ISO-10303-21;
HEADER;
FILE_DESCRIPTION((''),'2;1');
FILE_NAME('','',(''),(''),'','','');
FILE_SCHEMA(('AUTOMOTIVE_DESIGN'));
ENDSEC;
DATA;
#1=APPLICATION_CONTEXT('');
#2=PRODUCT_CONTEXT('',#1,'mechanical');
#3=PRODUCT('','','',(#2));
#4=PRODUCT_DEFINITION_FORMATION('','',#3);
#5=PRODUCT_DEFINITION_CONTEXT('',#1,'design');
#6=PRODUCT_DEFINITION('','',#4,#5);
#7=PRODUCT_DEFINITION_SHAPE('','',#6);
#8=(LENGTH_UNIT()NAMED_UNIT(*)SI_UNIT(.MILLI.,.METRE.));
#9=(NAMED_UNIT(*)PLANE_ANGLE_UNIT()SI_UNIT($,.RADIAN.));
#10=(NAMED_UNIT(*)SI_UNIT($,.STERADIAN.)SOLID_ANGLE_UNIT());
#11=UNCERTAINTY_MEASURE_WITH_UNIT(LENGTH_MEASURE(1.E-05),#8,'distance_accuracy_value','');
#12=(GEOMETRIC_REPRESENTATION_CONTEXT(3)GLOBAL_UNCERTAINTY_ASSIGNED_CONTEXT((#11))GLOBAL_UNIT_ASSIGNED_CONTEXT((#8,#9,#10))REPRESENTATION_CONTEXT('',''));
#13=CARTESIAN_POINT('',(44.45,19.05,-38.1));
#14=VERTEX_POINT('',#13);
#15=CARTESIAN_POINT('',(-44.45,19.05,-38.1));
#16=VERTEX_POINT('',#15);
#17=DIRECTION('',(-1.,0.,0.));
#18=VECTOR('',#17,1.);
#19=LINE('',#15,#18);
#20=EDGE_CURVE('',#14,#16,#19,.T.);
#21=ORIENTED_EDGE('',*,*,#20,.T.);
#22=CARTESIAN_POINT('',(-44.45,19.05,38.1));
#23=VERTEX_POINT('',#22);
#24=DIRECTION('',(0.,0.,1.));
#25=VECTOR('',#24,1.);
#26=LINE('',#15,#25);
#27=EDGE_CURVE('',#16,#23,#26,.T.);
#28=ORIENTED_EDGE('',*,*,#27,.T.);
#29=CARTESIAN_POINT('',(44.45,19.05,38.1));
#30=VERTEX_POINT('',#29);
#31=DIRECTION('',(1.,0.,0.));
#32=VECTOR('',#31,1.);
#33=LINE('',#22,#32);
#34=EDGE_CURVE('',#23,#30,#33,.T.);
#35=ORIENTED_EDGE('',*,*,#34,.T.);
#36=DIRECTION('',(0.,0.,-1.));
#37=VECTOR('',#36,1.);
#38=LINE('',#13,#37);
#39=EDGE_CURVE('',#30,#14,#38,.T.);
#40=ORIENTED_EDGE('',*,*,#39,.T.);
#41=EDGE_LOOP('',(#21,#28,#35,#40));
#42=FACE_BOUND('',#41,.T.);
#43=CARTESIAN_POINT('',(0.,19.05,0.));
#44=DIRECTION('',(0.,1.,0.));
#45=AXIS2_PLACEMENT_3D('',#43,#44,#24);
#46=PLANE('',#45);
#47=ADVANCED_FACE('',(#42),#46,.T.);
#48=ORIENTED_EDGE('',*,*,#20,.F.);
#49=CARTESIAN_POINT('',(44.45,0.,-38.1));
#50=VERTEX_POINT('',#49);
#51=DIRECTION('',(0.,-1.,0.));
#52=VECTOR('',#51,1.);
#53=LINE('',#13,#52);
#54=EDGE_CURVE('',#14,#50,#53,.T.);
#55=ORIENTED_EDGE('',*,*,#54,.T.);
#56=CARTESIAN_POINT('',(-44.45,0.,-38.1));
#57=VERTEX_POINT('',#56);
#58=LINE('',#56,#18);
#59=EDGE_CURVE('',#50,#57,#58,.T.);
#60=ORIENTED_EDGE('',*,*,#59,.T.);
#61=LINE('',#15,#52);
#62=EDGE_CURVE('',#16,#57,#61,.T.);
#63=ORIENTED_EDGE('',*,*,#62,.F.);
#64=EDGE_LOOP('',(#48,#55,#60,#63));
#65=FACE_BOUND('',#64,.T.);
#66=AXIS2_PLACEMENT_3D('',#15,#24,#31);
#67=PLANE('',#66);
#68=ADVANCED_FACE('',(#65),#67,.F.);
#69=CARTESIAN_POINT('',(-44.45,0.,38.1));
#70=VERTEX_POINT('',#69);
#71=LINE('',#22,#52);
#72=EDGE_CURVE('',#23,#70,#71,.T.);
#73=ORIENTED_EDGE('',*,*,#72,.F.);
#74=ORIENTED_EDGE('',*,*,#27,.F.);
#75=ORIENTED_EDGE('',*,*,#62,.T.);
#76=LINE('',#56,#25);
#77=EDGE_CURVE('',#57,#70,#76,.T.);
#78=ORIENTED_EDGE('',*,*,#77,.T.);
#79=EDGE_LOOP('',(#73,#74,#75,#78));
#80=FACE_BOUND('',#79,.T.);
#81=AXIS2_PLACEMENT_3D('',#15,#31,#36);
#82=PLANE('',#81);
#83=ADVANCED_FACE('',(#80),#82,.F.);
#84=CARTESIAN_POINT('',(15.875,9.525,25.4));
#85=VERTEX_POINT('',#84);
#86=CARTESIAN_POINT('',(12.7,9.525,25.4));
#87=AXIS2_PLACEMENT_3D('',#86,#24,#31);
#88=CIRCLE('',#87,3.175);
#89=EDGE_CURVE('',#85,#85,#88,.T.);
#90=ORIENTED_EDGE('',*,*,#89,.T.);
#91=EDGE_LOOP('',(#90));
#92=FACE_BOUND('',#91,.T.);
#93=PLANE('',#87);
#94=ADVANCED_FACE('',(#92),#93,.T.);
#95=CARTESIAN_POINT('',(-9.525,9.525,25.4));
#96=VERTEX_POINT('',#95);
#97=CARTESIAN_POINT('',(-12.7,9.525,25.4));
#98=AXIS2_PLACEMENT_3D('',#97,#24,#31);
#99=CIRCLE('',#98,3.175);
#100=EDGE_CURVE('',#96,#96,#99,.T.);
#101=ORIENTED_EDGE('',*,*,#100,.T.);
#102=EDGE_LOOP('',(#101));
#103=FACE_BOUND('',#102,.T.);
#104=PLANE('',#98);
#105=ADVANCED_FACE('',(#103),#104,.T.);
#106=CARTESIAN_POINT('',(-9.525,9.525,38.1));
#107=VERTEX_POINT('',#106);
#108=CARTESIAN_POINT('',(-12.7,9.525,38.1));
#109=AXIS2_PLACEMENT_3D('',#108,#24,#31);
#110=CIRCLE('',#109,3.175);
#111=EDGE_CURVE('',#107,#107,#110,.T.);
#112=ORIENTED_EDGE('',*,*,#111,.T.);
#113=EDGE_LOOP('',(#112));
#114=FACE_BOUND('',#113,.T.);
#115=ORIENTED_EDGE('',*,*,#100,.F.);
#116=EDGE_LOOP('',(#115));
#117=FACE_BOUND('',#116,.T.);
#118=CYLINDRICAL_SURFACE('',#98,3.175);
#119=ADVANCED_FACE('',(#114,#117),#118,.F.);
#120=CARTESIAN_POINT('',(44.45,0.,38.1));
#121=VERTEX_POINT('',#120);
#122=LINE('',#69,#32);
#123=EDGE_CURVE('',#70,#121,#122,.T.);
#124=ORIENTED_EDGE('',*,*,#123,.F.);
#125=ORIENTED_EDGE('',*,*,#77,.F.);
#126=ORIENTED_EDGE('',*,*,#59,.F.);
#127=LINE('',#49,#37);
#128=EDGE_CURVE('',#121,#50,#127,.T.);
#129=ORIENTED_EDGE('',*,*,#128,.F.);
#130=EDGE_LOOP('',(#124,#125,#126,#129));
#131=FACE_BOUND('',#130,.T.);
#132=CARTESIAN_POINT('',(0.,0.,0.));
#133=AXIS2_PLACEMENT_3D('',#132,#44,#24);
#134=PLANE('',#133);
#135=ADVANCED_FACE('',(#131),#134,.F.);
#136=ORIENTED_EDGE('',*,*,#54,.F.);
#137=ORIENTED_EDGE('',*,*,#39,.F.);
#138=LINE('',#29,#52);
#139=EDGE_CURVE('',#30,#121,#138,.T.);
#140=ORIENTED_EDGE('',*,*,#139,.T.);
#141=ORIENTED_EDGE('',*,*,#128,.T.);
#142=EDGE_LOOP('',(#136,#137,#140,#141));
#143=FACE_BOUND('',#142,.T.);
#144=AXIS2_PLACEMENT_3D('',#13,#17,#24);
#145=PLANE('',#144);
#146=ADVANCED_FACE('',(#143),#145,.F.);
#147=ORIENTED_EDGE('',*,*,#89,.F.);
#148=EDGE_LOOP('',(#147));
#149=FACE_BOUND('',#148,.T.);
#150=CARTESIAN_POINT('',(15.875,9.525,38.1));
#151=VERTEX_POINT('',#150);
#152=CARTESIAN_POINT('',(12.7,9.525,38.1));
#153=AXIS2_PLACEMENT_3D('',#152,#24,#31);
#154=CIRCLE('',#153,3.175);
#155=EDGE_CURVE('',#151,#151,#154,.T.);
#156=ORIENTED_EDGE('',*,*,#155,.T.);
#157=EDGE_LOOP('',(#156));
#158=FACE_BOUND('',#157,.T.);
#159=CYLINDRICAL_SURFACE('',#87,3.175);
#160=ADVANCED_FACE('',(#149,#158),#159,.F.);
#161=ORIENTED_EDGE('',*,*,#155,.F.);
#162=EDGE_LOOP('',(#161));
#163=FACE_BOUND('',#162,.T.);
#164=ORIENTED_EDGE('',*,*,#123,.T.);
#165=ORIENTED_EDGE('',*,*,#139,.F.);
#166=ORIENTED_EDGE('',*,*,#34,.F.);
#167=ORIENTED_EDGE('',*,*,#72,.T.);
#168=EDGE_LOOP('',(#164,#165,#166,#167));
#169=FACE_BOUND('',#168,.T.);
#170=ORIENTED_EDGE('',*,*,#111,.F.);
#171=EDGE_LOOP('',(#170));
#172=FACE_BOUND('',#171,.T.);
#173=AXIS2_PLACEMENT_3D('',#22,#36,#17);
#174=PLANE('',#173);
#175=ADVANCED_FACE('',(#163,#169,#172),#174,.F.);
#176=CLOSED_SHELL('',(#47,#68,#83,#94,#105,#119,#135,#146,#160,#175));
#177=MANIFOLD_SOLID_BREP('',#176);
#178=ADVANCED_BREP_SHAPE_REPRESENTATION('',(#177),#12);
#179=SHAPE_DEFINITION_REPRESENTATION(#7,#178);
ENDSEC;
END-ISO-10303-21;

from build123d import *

# Parameters (mm, degrees)
SKETCH1_W           = 88.9
SKETCH1_H           = 76.2
BOSS_EXTRUDE1_DEPTH = 19.05
SKETCH2_R           = 3.175
CUT_EXTRUDE1_DEPTH  = 12.7


with BuildPart() as part:
    # Sketch1 → Boss-Extrude1 (new body)
    with BuildSketch(Plane(origin=(0, 0, 0), x_dir=(1, 0, 0), z_dir=(0, 1, 0))):
        Rectangle(SKETCH1_W, SKETCH1_H)
    extrude(amount=BOSS_EXTRUDE1_DEPTH)

    # Sketch2 → Cut-Extrude1 (cut)
    with BuildSketch(Plane.XY.offset(38.1)):
        with Locations((-12.7, 9.525)):
            Circle(SKETCH2_R)
        with Locations((12.7, 9.525)):
            Circle(SKETCH2_R)
    extrude(amount=-CUT_EXTRUDE1_DEPTH, mode=Mode.SUBTRACT)


solid = part.part
